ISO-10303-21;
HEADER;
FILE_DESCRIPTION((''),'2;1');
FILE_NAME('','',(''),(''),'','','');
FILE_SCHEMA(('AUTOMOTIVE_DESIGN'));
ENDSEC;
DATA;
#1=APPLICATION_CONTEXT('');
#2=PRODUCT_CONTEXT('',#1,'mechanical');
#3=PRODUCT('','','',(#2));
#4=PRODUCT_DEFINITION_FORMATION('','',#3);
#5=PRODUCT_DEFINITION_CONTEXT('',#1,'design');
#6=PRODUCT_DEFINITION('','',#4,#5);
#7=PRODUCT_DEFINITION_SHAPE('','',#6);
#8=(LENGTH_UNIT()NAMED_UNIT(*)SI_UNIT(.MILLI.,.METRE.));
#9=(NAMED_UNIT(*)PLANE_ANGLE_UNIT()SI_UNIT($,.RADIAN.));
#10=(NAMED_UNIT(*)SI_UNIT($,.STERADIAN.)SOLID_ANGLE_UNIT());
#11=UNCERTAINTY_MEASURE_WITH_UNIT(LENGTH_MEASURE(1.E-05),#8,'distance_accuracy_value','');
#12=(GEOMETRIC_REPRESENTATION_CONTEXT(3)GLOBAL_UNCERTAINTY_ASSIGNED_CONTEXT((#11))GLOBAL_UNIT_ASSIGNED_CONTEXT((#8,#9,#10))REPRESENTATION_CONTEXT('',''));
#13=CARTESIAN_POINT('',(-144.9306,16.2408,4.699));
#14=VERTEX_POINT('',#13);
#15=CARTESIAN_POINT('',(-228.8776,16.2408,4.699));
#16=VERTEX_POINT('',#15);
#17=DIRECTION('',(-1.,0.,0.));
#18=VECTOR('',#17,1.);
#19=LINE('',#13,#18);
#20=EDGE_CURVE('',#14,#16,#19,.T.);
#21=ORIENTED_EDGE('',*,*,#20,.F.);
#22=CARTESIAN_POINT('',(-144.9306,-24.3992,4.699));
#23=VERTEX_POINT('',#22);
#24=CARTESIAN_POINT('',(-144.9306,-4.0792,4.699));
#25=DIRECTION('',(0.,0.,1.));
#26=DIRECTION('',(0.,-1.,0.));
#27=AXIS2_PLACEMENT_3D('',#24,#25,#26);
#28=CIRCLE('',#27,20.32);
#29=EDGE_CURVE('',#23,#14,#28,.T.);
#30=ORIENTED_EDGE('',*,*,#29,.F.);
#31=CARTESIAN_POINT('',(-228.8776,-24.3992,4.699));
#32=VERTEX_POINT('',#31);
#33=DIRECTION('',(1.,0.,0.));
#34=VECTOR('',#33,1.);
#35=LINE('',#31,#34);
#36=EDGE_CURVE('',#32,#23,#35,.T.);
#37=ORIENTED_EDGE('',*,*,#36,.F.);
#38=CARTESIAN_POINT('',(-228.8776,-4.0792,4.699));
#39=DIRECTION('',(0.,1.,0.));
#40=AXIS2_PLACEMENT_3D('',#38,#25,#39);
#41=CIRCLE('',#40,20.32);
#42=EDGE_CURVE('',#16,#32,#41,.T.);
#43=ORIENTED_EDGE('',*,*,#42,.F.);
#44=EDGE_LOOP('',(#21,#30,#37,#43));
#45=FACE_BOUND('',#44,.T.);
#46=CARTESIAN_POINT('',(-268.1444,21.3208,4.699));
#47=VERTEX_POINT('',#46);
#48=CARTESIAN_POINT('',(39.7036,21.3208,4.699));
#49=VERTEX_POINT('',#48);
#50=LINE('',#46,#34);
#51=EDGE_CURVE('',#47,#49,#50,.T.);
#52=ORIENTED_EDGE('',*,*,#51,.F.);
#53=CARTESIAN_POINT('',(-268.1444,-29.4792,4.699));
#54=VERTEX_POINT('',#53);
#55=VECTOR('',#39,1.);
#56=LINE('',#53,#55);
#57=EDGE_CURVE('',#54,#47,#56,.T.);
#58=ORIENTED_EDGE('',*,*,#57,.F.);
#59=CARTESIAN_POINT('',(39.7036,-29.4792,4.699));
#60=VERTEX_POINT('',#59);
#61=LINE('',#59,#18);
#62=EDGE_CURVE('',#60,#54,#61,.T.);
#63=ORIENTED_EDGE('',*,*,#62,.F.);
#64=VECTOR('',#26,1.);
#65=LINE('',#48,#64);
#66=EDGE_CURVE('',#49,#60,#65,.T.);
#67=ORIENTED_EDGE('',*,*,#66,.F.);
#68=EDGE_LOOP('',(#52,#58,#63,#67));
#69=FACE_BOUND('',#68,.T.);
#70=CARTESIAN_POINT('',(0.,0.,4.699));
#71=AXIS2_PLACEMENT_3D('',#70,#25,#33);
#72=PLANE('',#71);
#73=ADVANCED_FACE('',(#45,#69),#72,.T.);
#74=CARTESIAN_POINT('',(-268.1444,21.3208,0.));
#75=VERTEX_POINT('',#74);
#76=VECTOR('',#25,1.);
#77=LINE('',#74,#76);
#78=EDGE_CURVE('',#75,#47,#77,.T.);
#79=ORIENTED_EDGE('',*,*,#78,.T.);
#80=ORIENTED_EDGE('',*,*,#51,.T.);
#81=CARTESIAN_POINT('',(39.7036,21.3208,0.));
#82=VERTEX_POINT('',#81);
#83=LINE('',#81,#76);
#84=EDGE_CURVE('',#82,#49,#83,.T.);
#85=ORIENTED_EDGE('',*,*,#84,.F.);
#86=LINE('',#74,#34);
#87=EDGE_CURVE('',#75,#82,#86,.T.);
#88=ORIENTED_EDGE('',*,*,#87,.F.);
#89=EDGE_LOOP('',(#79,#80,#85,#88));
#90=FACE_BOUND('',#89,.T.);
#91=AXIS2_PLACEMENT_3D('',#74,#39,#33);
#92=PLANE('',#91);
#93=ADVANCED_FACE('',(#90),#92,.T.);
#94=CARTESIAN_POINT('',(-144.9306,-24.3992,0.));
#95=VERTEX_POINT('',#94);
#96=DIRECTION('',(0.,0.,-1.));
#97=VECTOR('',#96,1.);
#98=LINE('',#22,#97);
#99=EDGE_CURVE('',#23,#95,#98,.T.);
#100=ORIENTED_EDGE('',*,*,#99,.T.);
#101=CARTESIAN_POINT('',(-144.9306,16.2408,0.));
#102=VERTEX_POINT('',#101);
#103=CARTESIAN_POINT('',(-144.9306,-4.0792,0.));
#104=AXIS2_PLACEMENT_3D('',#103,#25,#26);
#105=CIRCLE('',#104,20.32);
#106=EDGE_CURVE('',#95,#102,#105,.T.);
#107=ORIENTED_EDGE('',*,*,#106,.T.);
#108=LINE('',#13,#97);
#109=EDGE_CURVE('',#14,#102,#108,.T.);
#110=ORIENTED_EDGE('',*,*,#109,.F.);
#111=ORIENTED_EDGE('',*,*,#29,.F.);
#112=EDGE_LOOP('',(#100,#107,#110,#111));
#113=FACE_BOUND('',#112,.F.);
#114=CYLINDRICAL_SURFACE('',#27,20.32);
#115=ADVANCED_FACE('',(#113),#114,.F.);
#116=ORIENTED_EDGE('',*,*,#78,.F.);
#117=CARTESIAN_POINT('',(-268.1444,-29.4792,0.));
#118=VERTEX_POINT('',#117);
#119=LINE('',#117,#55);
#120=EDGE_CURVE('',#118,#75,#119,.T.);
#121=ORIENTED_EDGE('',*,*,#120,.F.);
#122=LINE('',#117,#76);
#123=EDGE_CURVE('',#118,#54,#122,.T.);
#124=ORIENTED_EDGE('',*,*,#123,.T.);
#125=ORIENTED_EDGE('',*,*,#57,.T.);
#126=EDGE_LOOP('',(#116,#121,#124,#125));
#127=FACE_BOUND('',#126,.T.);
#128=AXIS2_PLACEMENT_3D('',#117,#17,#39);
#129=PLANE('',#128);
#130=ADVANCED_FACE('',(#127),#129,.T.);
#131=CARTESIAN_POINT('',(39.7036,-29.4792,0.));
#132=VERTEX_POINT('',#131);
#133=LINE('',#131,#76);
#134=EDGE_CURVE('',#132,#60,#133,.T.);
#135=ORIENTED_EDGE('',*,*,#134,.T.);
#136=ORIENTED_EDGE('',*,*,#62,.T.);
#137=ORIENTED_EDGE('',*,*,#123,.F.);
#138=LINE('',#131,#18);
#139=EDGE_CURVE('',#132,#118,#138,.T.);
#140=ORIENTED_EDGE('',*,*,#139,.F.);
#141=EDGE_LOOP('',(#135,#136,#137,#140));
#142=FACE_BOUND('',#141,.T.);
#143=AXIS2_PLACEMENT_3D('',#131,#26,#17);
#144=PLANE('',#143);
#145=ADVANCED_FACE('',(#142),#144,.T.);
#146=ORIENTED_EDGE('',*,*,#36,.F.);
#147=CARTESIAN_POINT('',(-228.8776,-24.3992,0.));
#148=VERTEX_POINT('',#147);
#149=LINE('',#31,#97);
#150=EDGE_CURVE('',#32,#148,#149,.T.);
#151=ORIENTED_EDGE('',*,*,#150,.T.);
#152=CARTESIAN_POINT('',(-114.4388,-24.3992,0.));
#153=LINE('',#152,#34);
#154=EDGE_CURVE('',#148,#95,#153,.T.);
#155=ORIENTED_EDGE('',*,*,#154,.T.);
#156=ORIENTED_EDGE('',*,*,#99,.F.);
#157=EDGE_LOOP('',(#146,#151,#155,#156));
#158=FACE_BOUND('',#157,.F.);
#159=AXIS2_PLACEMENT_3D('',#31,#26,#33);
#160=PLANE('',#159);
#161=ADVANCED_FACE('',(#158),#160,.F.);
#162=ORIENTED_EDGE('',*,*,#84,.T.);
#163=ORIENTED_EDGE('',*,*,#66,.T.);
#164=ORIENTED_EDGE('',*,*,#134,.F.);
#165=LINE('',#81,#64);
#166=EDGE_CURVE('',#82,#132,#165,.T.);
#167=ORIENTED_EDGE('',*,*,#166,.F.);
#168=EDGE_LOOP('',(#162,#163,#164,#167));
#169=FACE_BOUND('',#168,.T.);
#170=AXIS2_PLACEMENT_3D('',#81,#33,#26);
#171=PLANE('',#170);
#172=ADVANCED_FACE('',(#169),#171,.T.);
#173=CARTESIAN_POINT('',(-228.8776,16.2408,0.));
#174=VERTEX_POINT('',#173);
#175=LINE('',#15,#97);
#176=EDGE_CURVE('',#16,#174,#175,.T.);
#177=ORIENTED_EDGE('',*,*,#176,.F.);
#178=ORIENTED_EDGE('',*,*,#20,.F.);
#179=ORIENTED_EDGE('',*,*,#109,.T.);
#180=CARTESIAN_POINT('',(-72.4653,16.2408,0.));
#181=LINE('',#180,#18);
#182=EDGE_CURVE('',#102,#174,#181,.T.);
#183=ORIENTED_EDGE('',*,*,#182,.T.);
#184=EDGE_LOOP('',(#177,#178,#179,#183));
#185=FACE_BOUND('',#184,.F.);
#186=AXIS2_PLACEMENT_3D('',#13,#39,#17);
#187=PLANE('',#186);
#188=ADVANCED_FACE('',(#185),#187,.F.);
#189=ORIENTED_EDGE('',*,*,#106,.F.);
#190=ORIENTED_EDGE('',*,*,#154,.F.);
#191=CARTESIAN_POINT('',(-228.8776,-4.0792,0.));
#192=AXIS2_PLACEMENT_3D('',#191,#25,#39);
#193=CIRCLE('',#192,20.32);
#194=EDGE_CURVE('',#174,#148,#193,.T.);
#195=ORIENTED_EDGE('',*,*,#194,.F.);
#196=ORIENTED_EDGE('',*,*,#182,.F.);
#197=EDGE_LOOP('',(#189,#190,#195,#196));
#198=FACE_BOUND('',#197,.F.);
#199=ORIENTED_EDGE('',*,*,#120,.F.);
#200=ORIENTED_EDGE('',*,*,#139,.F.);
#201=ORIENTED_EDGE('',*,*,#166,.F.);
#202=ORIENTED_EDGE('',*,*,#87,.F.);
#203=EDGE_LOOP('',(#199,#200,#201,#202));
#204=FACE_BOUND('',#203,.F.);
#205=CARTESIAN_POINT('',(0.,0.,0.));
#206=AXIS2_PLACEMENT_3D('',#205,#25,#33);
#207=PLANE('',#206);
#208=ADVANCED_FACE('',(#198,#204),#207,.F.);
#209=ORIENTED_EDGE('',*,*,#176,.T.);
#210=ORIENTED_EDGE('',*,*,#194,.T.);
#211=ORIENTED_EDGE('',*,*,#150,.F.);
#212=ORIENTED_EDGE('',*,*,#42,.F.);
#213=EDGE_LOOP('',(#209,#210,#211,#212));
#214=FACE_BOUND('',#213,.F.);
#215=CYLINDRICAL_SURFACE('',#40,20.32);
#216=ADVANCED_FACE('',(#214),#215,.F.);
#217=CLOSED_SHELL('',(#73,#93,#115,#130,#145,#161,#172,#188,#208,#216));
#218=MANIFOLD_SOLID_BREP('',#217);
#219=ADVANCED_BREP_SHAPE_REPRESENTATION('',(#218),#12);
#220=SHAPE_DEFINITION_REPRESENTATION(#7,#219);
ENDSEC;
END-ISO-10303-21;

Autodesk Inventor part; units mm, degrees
ref_plane "YZ Plane" through (0, 0, 0) normal (1, 0, 0) x (0, 1, 0)
ref_plane "XZ Plane" through (0, 0, 0) normal (0, 1, 0) x (-1, 0, 0)
ref_plane "XY Plane" through (0, 0, 0) normal (0, 0, 1) x (1, 0, 0)
sketch "Sketch1" plane through (0, 0, 0) normal (0, 0, 1) x (1, 0, 0)
  line L0 (-268.1444, 21.3208) -> (39.7036, 21.3208)
  line L1 (39.7036, 21.3208) -> (39.7036, -29.4792)
  line L2 (39.7036, -29.4792) -> (-268.1444, -29.4792)
  line L3 (-268.1444, -29.4792) -> (-268.1444, 21.3208)
  point P0 (0, 0)
  dimension "d0" = 50.8
  dimension "d1" = 307.848
extrude "Extrusion1" add sketch "Sketch1" along normal blind 4.699
sketch "Sketch3" plane through (0, 0, 4.699) normal (0, 0, 1) x (1, 0, 0)
  line L0 (-228.8776, -4.0792) -> (-144.9306, -4.0792) construction
  line L1 (-228.8776, -24.3992) -> (-144.9306, -24.3992)
  line L2 (-144.9306, 16.2408) -> (-228.8776, 16.2408)
  arc A0 (-228.8776, 16.2408) -> (-228.8776, -24.3992) centre (-228.8776, -4.0792) ccw
  arc A1 (-144.9306, -24.3992) -> (-144.9306, 16.2408) centre (-144.9306, -4.0792) ccw
  line L3 (-268.1444, 21.3208) -> (-268.1444, -29.4792) projected
  point P0 (0, 0)
  point P1 (-186.9041, -4.0792)
  point P2 (-249.1976, -4.0792)
  point P3 (-268.1444, -4.0792)
  point P4 (-268.1444, -4.0792)
  dimension "d4" = 83.947
  dimension "d5" = 40.64
extrude "Extrusion2" cut sketch "Sketch3" against normal blind 25.4
properties part number "front"
